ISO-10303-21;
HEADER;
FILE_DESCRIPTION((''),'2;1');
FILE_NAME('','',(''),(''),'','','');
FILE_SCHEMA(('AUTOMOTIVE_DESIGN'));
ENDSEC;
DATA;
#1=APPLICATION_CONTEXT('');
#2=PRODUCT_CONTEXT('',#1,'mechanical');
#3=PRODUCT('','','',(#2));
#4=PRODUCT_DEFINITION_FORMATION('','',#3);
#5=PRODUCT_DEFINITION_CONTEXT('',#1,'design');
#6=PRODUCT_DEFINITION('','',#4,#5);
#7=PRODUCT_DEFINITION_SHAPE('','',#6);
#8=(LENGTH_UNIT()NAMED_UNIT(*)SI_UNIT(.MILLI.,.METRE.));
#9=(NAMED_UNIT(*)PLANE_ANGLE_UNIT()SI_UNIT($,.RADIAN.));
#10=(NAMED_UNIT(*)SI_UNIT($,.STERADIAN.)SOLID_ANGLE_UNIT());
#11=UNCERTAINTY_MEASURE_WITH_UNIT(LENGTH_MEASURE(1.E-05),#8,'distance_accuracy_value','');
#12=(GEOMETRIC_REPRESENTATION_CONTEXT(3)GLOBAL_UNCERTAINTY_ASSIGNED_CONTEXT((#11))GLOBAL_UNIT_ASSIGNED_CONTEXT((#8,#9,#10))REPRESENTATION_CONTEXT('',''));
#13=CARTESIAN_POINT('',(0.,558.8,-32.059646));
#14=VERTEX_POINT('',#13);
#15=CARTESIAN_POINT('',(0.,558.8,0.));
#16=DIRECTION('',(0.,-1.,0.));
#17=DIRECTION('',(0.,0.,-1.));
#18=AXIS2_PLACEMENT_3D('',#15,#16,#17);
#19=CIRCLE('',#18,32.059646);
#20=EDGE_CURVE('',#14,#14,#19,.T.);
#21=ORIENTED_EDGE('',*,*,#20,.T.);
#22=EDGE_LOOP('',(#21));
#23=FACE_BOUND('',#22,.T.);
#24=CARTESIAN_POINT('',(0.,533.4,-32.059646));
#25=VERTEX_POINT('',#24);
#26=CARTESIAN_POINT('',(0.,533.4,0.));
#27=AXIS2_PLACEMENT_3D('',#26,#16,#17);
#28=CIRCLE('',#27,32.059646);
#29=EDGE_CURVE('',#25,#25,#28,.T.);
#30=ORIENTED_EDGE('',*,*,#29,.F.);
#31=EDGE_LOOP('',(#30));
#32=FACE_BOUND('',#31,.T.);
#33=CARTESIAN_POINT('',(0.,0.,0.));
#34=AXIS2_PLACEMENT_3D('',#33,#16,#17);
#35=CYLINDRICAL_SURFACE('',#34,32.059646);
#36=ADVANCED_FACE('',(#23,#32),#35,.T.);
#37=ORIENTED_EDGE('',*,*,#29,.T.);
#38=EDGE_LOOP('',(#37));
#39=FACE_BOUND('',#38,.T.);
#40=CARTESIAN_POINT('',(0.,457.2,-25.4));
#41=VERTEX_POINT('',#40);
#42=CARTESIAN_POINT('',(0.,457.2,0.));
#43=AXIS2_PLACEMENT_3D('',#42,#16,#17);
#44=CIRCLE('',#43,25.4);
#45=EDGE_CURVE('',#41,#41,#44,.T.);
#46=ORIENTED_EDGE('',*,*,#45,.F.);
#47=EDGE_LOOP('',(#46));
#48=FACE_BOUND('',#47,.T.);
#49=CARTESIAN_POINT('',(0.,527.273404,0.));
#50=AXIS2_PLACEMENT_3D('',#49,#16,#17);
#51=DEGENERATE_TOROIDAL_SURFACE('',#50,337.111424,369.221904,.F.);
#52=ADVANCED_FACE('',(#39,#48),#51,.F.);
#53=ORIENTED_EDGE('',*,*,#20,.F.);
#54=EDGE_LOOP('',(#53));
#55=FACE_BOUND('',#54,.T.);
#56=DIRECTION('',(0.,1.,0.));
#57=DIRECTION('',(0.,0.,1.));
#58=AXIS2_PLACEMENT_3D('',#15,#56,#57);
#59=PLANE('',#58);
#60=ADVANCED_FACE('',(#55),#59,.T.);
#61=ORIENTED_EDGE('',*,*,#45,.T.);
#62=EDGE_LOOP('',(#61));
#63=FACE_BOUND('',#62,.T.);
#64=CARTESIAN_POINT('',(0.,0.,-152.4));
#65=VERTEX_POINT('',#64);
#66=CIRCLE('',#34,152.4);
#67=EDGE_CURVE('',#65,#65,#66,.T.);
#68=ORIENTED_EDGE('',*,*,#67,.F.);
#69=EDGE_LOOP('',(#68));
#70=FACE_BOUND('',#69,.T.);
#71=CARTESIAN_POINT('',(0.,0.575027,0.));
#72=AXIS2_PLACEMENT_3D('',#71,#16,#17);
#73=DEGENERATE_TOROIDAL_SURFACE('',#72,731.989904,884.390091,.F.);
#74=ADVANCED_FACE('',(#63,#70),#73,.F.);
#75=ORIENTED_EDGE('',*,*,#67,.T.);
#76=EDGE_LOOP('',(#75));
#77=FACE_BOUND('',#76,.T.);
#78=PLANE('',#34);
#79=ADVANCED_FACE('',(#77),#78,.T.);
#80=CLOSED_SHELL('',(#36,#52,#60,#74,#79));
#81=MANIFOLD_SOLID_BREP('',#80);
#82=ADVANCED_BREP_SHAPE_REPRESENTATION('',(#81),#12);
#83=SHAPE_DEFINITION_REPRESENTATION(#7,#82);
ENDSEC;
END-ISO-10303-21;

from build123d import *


with BuildPart() as part:
    # Sketch1 → Revolve1 (revolve)
    with BuildSketch(Plane.XY):
        with BuildLine():
            Line((0, 0), (152.4, 0))
            ThreePointArc((152.4, 0), (120.135787723, 237.276607701), (25.4, 457.2))
            ThreePointArc((25.4, 457.2), (30.708407126, 495.127077831), (32.059646447, 533.4))
            Line((32.059646447, 533.4), (32.059646447, 558.8))
            Line((32.059646447, 558.8), (0, 558.8))
            Line((0, 558.8), (0, 533.4))
            Line((0, 533.4), (0, 457.2))
            Line((0, 457.2), (0, 0))
        make_face()
    revolve(axis=Axis((0, 0, 0), (0, 1, 0)))


solid = part.part
